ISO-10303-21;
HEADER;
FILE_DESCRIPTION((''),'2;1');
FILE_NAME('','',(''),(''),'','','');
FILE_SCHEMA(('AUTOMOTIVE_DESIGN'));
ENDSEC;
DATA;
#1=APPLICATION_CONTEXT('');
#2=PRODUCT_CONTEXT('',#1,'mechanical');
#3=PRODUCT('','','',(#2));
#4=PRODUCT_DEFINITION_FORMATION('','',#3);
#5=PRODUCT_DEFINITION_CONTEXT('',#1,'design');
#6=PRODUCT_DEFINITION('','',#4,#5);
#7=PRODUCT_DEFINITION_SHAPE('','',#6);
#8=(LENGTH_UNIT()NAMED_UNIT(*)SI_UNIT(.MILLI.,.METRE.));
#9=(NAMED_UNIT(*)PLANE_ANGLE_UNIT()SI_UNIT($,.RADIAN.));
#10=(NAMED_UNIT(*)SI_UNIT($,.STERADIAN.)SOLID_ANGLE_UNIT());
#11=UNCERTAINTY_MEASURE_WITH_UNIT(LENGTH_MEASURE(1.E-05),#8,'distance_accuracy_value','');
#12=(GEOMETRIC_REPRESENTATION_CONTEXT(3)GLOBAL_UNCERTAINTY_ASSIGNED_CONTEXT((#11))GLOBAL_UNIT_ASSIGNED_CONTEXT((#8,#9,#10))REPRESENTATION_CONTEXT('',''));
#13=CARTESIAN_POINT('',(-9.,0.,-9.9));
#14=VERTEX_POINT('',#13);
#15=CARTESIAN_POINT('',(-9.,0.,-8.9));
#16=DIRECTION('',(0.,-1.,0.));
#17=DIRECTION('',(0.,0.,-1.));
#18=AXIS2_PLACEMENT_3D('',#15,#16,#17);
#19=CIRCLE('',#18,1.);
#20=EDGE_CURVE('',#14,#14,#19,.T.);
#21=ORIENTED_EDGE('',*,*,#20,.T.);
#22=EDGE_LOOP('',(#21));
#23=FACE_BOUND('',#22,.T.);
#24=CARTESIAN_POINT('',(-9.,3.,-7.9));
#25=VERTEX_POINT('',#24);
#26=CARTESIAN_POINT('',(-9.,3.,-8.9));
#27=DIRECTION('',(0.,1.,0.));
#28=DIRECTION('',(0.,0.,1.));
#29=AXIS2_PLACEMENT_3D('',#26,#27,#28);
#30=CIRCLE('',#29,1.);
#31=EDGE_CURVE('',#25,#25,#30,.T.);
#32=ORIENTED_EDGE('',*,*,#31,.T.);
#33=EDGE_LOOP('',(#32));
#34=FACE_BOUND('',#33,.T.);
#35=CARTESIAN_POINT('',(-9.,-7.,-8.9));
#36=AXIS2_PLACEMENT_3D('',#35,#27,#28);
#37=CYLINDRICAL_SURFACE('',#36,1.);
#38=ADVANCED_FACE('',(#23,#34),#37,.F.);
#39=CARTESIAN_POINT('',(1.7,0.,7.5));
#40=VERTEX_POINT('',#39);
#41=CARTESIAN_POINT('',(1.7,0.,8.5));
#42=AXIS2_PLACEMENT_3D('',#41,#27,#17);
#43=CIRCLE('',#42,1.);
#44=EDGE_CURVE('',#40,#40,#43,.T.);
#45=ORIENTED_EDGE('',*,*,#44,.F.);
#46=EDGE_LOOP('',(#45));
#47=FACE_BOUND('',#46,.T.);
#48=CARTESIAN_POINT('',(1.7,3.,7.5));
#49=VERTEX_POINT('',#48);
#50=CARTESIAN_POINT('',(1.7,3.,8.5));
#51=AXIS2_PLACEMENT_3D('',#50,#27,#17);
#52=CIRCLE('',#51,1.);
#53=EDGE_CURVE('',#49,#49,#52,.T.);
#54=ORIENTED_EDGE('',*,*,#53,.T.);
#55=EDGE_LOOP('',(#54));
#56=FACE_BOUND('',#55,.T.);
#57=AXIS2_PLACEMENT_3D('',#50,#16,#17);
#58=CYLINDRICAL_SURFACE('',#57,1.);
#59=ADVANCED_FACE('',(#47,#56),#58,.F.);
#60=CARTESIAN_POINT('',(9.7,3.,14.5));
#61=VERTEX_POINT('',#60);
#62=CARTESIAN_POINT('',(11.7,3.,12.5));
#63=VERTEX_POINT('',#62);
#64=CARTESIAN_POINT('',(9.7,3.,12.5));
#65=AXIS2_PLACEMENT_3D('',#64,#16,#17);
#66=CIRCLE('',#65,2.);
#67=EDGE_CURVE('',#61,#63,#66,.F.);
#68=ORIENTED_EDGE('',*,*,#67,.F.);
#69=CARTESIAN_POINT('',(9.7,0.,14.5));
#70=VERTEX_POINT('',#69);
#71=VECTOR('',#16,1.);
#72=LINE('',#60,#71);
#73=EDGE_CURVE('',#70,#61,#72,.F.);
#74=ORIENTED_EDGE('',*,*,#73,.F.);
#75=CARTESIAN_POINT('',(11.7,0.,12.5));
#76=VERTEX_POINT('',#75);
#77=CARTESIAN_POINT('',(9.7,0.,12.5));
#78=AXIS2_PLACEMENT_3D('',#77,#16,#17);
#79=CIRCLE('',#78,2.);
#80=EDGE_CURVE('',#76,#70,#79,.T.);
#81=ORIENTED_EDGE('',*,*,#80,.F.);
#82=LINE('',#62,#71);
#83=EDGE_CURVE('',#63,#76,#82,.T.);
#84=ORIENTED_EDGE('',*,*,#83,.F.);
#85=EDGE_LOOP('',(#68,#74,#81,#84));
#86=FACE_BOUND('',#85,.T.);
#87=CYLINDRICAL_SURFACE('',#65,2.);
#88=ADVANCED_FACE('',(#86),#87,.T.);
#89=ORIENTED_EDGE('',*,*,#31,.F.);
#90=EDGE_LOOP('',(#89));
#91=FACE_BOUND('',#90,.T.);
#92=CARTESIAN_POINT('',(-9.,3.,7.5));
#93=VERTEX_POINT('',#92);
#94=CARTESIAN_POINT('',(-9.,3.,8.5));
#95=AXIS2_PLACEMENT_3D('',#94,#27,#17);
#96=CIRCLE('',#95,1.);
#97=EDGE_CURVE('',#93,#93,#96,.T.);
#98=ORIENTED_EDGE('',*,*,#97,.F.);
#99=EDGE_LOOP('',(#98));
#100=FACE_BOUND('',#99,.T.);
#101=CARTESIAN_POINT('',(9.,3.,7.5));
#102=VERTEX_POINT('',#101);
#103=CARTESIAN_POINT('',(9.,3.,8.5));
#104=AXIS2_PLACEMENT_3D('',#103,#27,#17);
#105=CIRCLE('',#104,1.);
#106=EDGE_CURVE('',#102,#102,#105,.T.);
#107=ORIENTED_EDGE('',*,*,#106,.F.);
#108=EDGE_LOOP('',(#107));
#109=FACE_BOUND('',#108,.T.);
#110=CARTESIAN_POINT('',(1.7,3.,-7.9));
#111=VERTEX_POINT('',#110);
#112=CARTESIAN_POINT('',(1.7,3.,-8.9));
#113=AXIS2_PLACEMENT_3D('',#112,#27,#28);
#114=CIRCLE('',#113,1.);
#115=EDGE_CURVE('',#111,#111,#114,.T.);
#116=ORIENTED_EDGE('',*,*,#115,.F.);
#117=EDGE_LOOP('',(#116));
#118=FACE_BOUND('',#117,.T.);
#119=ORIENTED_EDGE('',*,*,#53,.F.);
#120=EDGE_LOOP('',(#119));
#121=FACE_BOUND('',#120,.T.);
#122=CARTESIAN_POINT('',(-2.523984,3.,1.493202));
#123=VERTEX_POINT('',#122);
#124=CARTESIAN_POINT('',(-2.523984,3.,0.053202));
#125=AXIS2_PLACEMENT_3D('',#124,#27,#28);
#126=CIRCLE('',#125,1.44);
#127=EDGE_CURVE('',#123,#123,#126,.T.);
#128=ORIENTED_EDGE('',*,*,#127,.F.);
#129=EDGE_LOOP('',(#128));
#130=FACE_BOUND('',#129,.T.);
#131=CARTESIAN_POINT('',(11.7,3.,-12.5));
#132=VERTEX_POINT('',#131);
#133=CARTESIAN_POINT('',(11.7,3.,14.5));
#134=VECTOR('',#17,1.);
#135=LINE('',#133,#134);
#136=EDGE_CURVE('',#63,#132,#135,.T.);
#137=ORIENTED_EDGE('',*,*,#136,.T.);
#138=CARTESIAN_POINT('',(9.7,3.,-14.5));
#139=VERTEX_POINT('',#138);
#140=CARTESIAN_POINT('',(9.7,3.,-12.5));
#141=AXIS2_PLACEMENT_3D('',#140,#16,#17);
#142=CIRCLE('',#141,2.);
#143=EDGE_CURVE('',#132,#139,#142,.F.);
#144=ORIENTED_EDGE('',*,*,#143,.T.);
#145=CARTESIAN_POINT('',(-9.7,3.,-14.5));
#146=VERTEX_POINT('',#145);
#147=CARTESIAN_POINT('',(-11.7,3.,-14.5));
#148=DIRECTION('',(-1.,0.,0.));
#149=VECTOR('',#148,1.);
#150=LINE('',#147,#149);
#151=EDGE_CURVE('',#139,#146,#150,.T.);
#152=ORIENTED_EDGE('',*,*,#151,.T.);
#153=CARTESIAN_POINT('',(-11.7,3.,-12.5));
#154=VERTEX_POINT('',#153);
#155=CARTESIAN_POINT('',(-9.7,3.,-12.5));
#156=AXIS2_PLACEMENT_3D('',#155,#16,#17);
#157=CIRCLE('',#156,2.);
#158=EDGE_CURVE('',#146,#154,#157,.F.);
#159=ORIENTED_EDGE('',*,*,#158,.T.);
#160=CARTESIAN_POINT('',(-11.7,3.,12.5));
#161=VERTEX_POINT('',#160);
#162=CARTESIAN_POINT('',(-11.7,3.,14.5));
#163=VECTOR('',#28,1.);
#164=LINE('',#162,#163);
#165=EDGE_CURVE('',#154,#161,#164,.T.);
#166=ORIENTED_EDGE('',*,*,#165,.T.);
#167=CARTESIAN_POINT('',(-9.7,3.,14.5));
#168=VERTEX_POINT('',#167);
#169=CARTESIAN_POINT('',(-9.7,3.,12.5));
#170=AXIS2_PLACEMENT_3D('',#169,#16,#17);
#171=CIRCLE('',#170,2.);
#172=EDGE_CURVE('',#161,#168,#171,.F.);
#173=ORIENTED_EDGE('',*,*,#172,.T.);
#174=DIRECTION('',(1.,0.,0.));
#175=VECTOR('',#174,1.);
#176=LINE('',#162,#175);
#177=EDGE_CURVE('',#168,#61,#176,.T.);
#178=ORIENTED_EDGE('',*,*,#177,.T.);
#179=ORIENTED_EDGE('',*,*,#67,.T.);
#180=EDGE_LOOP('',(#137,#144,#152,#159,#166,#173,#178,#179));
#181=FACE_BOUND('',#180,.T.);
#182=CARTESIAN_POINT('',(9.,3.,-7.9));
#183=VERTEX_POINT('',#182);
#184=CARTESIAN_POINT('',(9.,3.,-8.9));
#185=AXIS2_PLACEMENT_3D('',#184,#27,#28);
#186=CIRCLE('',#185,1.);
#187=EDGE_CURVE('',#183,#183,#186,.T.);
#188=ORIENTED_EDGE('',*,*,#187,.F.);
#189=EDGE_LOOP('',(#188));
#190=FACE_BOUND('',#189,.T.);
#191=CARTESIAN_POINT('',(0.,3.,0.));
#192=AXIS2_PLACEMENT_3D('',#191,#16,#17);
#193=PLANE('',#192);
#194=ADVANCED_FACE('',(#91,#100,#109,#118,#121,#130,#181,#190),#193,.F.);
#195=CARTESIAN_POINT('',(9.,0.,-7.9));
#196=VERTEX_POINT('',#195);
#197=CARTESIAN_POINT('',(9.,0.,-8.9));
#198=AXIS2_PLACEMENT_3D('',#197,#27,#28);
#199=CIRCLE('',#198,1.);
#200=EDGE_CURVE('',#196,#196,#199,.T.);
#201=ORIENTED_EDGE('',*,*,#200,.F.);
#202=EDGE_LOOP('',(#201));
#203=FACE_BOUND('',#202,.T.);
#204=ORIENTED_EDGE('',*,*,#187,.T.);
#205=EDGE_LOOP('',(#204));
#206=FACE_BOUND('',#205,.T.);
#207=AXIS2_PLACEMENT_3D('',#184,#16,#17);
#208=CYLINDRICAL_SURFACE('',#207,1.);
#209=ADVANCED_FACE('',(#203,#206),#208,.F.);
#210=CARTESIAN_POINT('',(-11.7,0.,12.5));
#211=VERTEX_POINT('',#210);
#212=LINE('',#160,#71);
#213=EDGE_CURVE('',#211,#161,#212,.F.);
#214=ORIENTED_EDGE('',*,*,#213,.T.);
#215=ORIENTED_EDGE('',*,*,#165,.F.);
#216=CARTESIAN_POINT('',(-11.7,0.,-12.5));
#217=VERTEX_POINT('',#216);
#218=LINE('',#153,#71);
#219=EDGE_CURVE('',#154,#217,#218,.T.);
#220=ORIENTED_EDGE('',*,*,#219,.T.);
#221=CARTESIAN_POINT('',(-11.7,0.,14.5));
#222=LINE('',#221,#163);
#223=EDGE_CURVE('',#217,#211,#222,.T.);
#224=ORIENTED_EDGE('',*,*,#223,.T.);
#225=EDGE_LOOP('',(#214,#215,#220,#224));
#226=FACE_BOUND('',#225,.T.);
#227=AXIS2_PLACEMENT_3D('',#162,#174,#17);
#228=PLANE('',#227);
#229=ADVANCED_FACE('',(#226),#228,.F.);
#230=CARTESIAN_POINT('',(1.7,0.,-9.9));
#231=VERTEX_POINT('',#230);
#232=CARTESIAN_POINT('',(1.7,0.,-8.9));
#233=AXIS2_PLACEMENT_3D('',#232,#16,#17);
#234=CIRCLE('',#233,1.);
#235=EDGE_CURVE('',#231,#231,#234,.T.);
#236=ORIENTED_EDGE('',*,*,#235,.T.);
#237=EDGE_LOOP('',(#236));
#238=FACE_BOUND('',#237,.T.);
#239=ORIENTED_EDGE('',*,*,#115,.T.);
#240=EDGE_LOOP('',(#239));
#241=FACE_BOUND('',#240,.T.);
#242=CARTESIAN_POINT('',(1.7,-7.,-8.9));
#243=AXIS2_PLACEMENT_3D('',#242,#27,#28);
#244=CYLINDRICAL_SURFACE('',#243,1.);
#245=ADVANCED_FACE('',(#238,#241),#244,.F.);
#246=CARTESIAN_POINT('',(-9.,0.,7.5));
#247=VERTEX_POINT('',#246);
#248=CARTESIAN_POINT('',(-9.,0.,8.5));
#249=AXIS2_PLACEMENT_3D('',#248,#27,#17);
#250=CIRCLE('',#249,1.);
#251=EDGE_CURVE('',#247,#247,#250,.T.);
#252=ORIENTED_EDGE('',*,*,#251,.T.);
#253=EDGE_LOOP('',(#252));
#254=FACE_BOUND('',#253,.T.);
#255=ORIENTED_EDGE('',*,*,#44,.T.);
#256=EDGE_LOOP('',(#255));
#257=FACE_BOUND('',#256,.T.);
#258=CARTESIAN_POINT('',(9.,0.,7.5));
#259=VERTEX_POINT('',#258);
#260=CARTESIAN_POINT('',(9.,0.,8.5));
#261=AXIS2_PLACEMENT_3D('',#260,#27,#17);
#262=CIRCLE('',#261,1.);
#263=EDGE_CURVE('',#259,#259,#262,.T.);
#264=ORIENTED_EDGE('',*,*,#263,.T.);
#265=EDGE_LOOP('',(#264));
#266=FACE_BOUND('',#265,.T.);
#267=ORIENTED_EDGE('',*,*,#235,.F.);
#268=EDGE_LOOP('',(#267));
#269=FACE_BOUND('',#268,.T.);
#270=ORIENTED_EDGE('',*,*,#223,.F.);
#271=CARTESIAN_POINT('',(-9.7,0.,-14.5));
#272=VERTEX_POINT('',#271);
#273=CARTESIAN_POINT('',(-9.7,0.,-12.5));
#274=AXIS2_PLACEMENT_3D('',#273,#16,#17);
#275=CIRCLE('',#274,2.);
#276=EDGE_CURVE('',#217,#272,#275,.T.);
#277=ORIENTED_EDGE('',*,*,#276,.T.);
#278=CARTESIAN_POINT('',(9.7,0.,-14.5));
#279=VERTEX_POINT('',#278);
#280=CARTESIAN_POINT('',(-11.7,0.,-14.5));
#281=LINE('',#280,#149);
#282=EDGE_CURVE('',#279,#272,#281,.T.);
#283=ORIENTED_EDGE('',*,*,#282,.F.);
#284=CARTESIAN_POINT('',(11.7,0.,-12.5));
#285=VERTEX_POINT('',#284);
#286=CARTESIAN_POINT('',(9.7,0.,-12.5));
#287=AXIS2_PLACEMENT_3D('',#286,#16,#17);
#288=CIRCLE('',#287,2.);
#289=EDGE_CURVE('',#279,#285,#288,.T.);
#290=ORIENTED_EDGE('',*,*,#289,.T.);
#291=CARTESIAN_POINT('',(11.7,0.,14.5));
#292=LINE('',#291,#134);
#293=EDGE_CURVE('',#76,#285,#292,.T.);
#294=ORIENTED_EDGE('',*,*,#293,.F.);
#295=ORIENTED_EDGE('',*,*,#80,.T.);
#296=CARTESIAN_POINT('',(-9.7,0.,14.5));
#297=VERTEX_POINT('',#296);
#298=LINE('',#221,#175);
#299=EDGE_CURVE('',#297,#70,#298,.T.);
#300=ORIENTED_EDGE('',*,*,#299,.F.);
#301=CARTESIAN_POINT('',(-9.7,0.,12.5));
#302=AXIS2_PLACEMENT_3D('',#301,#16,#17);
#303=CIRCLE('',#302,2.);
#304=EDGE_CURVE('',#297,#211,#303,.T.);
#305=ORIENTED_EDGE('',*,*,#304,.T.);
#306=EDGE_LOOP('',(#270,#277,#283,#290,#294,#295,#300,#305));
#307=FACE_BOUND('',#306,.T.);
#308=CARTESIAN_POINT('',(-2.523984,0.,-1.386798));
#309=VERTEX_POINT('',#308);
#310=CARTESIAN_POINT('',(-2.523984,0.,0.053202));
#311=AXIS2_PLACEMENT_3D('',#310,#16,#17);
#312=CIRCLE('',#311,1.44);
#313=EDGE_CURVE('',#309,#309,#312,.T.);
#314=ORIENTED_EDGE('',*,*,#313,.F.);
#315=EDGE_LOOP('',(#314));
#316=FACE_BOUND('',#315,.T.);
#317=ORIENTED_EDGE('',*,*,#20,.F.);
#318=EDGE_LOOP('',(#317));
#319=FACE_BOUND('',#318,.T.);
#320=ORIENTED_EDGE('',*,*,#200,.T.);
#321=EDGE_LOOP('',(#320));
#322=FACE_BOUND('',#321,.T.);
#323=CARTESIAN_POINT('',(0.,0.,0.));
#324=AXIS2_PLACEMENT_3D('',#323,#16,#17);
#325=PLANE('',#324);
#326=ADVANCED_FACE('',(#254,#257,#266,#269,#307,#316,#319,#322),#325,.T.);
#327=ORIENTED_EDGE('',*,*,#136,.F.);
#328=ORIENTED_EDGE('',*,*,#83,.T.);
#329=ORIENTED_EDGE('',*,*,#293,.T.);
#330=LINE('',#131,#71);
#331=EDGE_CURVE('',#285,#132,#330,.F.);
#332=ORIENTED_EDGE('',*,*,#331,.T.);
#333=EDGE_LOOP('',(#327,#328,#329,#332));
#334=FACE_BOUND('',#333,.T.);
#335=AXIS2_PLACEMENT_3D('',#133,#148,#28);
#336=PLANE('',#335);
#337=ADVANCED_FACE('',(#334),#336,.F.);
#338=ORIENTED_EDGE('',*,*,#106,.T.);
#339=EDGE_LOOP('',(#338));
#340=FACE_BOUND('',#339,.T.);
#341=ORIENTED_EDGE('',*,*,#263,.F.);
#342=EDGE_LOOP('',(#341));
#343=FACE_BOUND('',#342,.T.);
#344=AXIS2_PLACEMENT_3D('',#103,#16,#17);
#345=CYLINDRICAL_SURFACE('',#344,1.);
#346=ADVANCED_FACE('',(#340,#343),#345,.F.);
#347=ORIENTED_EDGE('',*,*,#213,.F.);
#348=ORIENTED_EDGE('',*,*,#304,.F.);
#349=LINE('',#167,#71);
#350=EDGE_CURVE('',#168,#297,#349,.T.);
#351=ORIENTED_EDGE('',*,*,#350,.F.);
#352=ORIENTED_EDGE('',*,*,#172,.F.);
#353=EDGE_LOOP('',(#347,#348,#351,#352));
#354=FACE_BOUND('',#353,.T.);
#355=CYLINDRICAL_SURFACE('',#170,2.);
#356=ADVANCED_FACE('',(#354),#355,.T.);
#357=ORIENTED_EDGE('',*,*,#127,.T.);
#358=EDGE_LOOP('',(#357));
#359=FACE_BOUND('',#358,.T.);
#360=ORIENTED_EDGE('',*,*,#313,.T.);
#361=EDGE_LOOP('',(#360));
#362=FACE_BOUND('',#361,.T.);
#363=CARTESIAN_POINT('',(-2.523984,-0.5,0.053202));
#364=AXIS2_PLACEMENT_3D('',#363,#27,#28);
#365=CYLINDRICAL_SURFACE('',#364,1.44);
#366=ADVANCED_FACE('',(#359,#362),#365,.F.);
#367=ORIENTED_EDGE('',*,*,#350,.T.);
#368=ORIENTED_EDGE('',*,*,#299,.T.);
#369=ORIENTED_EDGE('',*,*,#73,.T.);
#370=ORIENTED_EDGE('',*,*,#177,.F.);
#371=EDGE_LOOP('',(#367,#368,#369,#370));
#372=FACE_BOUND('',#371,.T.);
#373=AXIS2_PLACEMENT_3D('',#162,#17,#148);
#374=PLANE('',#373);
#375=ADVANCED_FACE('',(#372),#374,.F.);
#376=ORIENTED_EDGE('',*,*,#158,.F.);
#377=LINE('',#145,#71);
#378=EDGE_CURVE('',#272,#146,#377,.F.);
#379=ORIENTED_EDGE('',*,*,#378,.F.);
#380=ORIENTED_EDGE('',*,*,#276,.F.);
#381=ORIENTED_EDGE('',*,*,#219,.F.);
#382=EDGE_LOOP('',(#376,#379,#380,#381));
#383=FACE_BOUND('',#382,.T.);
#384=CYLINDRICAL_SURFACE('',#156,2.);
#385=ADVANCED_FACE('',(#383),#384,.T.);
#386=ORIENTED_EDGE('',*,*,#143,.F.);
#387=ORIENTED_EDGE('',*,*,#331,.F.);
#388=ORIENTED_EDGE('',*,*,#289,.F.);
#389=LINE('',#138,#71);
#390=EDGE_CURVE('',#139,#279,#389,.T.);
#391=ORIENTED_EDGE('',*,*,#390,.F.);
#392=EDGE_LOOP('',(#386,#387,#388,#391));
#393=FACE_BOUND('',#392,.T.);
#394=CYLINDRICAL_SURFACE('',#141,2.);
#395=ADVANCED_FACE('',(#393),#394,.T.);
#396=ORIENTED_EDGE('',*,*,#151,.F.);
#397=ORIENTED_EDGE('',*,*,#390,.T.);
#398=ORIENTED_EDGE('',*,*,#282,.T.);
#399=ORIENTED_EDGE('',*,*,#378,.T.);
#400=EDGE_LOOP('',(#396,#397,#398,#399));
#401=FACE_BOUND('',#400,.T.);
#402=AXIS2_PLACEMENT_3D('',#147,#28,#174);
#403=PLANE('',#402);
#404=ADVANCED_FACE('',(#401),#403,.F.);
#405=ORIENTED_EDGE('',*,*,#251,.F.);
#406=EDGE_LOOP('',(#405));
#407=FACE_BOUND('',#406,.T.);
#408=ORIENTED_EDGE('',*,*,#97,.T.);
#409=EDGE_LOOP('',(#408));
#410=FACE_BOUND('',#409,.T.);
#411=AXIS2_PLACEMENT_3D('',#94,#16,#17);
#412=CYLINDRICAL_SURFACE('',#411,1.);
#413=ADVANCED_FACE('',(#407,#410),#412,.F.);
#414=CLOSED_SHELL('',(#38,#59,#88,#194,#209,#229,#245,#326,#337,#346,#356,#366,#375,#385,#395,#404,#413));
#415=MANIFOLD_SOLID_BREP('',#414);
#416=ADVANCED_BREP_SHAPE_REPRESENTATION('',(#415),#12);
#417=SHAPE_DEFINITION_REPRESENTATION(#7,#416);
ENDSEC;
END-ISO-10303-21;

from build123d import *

# Parameters (mm, degrees)
BOSS_EXTRUDE1_DEPTH   = 3
BOSS_EXTRUDE1_2_DEPTH = 3
SKETCH1_W             = 23.4
SKETCH1_H             = 29
SKETCH1_R             = 1
BOSS_EXTRUDE1_3_DEPTH = 3
FILLET1_R             = 2
SKETCH5_R             = 1.44
CUT_EXTRUDE3_DEPTH    = 10
CUT_EXTRUDE4_DEPTH    = 10
SKETCH8_R             = 1
CUT_EXTRUDE5_DEPTH    = 10
SKETCH9_R             = 3.026992654
BOSS_EXTRUDE3_DEPTH   = 3
SKETCH10_R            = 1.44
CUT_EXTRUDE6_DEPTH    = 3.5


with BuildPart() as part:
    # Sketch1 → Boss-Extrude1 (new body)
    with BuildSketch(Plane(origin=(0, 0, 0), x_dir=(1, 0, 0), z_dir=(0, 1, 0))):
        with BuildLine():
            add(Edge.make_bspline(
                [(19.180993887, -14.242526212), (19.80083761, -12.341053413), (17.899318471, -11.721194585), (17.279474749, -13.622667384), (16.659631026, -15.524140184), (18.561150164, -16.143999012), (19.180993887, -14.242526212)],
                knots=[0, 0, 0, 0, 0.5, 0.5, 0.5, 1, 1, 1, 1], degree=3, weights=[1, 0.333333333, 0.333333333, 1, 0.333333333, 0.333333333, 1]))
        make_face()
    extrude(amount=BOSS_EXTRUDE1_DEPTH)


with BuildPart() as body_2:
    # Sketch1 → Boss-Extrude1 2 (new body)
    with BuildSketch(Plane(origin=(0, 0, 0), x_dir=(1, 0, 0), z_dir=(0, 1, 0))):
        with BuildLine():
            add(Edge.make_bspline(
                [(22.488505608, -4.096188772), (23.108349331, -2.194715972), (21.206830193, -1.574857144), (20.58698647, -3.476329943), (19.967142747, -5.377802743), (21.868661885, -5.997661571), (22.488505608, -4.096188772)],
                knots=[0, 0, 0, 0, 0.5, 0.5, 0.5, 1, 1, 1, 1], degree=3, weights=[1, 0.333333333, 0.333333333, 1, 0.333333333, 0.333333333, 1]))
        make_face()
    extrude(amount=BOSS_EXTRUDE1_2_DEPTH)


with BuildPart() as body_3:
    # Sketch1 → Boss-Extrude1 3 (new body)
    with BuildSketch(Plane(origin=(0, 0, 0), x_dir=(1, 0, 0), z_dir=(0, 1, 0))):
        Rectangle(SKETCH1_W, SKETCH1_H)
        with Locations(Location((9, 8.9, 0), (0, 0, 270))):
            Circle(SKETCH1_R, mode=Mode.SUBTRACT)
        with Locations(Location((9, -8.5, 0), (0, 0, 90))):
            Circle(SKETCH1_R, mode=Mode.SUBTRACT)
        with Locations(Location((-9, -8.5, 0), (0, 0, 90))):
            Circle(SKETCH1_R, mode=Mode.SUBTRACT)
        with Locations(Location((1.7, -8.5, 0), (0, 0, 90))):
            Circle(SKETCH1_R, mode=Mode.SUBTRACT)
    extrude(amount=BOSS_EXTRUDE1_3_DEPTH)

    # Fillet1
    fillet1_edges = [body_3.edges().sort_by_distance(p)[0] for p in [
        (11.7, 1.5, 14.5),
        (-11.7, 1.5, 14.5),
        (-11.7, 1.5, -14.5),
        (11.7, 1.5, -14.5),
    ]]
    fillet(fillet1_edges, radius=FILLET1_R)

    # Sketch5 → Cut-Extrude3 (cut)
    with BuildSketch(Plane.XZ):
        with Locations(Location((-2.145634177, 3.61037734, 0), (0, 0, 270))):
            Circle(SKETCH5_R)
    extrude(amount=-CUT_EXTRUDE3_DEPTH, mode=Mode.SUBTRACT)

    # Sketch8 → Cut-Extrude5 (cut)
    with BuildSketch(Plane(origin=(0, 3, 0), x_dir=(1, 0, 0), z_dir=(0, 1, 0))):
        with Locations(Location((1.7, 8.9, 0), (0, 0, 270))):
            Circle(SKETCH8_R)
        with Locations(Location((-9, 8.9, 0), (0, 0, 270))):
            Circle(SKETCH8_R)
    extrude(amount=-CUT_EXTRUDE5_DEPTH, mode=Mode.SUBTRACT)

    # Sketch9 → Boss-Extrude3 (add)
    with BuildSketch(Plane(origin=(0, 3, 0), x_dir=(1, 0, 0), z_dir=(0, 1, 0))):
        with Locations((-2.145634177, -3.61037734)):
            Circle(SKETCH9_R)
    extrude(amount=-BOSS_EXTRUDE3_DEPTH)

    # Sketch10 → Cut-Extrude6 (cut)
    with BuildSketch(Plane(origin=(0, 3, 0), x_dir=(1, 0, 0), z_dir=(0, 1, 0))):
        with Locations(Location((-2.523984187, -0.0532018, 0), (0, 0, 270))):
            Circle(SKETCH10_R)
    extrude(amount=-CUT_EXTRUDE6_DEPTH, mode=Mode.SUBTRACT)


with BuildPart() as cut_extrude4_tool:
    # Sketch7 → Cut-Extrude4 (new body)
    with BuildSketch(Plane(origin=(0, 3, 0), x_dir=(1, 0, 0), z_dir=(0, 1, 0))):
        with BuildLine():
            add(Edge.make_bspline(
                [(19.180993887, -14.242526212), (19.80083761, -12.341053413), (17.899318471, -11.721194585), (17.279474749, -13.622667384), (16.659631026, -15.524140184), (18.561150164, -16.143999012), (19.180993887, -14.242526212)],
                knots=[0, 0, 0, 0, 0.5, 0.5, 0.5, 1, 1, 1, 1], degree=3, weights=[1, 0.333333333, 0.333333333, 1, 0.333333333, 0.333333333, 1]))
        make_face()
        with BuildLine():
            add(Edge.make_bspline(
                [(22.488505608, -4.096188772), (23.108349331, -2.194715972), (21.206830193, -1.574857144), (20.58698647, -3.476329943), (19.967142747, -5.377802743), (21.868661885, -5.997661571), (22.488505608, -4.096188772)],
                knots=[0, 0, 0, 0, 0.5, 0.5, 0.5, 1, 1, 1, 1], degree=3, weights=[1, 0.333333333, 0.333333333, 1, 0.333333333, 0.333333333, 1]))
        make_face()
    extrude(amount=-CUT_EXTRUDE4_DEPTH)


with BuildPart() as part_1:
    add(part.part)

    # Cut-Extrude4: cut by cut_extrude4_tool
    add(cut_extrude4_tool.part, mode=Mode.SUBTRACT)


with BuildPart() as body_2_1:
    add(body_2.part)

    # Cut-Extrude4: cut by cut_extrude4_tool
    add(cut_extrude4_tool.part, mode=Mode.SUBTRACT)


solid = body_3.part
